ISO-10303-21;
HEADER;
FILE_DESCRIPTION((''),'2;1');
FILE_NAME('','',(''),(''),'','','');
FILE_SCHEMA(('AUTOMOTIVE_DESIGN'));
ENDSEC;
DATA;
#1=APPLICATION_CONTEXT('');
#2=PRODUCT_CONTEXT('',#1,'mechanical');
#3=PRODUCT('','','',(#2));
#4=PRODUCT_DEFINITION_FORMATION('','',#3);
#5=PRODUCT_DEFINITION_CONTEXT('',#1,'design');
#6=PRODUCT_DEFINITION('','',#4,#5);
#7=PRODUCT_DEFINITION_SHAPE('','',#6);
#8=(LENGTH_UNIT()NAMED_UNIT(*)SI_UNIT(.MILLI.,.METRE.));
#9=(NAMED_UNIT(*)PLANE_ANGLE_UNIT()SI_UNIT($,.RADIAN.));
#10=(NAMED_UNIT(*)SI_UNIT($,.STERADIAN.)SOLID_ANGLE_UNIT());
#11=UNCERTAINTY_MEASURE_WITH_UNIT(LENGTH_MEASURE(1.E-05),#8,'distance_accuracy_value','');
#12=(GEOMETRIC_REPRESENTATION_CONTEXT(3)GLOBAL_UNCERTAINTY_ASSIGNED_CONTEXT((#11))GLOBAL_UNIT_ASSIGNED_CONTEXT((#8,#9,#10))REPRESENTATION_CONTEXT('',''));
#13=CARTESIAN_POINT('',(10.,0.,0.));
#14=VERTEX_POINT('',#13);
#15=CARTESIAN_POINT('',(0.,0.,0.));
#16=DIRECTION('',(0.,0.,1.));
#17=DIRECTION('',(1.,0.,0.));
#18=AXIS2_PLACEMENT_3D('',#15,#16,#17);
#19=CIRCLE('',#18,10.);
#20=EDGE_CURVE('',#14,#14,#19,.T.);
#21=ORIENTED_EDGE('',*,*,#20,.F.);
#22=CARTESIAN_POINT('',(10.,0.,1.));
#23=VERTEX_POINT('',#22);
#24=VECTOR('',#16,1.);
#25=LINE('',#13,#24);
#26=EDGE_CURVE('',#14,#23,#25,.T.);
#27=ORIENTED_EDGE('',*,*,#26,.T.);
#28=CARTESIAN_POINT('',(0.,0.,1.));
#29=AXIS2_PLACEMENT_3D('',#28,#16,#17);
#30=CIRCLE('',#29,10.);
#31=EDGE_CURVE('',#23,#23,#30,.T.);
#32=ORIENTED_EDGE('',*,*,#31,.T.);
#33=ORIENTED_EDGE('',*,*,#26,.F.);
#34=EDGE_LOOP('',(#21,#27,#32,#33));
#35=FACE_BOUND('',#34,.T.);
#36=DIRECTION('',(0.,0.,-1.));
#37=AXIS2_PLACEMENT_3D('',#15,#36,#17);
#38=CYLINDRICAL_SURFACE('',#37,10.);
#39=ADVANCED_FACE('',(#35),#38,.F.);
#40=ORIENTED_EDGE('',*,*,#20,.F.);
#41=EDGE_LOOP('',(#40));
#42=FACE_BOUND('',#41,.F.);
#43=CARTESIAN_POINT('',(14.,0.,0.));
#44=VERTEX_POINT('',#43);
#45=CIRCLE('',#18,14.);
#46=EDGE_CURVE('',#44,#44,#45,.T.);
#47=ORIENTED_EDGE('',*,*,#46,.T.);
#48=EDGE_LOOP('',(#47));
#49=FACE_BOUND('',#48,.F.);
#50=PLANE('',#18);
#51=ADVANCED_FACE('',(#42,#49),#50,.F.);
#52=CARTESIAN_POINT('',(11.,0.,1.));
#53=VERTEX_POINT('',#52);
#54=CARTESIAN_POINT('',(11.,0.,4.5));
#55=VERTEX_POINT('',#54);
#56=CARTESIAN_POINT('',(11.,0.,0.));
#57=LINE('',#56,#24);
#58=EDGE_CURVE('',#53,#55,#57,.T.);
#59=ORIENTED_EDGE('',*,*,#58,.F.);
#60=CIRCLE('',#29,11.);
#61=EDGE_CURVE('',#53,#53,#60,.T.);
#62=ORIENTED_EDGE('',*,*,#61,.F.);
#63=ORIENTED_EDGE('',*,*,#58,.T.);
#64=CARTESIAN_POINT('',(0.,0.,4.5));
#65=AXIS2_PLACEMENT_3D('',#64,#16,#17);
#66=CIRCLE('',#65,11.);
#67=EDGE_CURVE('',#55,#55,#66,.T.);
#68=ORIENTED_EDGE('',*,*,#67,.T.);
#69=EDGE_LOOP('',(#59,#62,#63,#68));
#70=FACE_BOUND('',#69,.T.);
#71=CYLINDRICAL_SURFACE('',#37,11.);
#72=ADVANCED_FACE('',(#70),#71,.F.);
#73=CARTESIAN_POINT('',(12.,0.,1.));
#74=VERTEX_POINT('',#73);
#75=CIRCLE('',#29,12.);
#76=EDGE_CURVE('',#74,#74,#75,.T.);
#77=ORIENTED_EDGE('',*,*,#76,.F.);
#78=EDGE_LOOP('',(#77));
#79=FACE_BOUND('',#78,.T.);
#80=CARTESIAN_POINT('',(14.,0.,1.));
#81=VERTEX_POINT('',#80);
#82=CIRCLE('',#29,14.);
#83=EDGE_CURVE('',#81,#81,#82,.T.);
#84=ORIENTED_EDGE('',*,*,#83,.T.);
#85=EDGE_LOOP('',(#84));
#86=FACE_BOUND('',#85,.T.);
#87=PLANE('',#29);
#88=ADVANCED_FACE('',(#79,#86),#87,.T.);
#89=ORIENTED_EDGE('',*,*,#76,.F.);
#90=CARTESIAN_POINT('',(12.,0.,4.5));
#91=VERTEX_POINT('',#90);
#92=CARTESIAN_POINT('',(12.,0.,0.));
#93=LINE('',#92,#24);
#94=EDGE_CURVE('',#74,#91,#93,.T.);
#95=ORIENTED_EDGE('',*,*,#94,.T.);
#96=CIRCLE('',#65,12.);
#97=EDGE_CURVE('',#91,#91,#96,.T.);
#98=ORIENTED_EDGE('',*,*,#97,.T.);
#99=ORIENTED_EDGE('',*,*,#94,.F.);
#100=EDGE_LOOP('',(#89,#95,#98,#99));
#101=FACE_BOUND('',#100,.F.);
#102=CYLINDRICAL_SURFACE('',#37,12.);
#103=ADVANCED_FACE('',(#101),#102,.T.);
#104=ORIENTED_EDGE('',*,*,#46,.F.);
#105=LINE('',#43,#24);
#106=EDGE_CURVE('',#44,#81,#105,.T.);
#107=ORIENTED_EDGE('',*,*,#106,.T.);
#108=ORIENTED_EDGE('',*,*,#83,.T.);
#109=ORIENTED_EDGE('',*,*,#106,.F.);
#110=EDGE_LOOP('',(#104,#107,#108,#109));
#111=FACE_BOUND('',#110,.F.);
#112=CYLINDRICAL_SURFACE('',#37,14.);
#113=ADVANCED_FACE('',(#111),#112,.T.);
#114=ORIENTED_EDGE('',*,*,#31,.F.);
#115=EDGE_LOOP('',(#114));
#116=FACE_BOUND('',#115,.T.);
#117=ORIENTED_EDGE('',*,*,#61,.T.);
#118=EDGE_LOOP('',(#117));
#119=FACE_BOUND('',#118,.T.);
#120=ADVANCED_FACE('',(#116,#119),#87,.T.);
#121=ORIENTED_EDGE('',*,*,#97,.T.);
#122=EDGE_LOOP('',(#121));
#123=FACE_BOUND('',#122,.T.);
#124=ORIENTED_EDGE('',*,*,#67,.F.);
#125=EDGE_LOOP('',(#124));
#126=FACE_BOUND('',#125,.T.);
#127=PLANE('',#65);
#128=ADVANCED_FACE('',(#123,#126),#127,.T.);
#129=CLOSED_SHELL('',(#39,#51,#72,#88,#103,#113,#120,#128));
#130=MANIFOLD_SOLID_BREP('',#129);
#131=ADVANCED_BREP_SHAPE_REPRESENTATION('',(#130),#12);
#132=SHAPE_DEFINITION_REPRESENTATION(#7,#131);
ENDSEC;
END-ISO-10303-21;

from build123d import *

# Parameters (mm, degrees)
F0_R     = 12
F0_R_2   = 11
F1_DEPTH = 4.5
F0_R_3   = 14
F0_R_4   = 10
F2_DEPTH = 1


with BuildPart() as f1:
    # F0 (on Top) → F1 (new body)
    with BuildSketch(Plane.XY):
        Circle(F0_R)
        Circle(F0_R_2, mode=Mode.SUBTRACT)
    extrude(amount=F1_DEPTH)

    # F0 (on Top) → F2 (join)
    with BuildSketch(Plane.XY):
        Circle(F0_R_3)
        Circle(F0_R, mode=Mode.SUBTRACT)
        Circle(F0_R_2)
        Circle(F0_R_4, mode=Mode.SUBTRACT)
    extrude(amount=F2_DEPTH)


solid = f1.part
